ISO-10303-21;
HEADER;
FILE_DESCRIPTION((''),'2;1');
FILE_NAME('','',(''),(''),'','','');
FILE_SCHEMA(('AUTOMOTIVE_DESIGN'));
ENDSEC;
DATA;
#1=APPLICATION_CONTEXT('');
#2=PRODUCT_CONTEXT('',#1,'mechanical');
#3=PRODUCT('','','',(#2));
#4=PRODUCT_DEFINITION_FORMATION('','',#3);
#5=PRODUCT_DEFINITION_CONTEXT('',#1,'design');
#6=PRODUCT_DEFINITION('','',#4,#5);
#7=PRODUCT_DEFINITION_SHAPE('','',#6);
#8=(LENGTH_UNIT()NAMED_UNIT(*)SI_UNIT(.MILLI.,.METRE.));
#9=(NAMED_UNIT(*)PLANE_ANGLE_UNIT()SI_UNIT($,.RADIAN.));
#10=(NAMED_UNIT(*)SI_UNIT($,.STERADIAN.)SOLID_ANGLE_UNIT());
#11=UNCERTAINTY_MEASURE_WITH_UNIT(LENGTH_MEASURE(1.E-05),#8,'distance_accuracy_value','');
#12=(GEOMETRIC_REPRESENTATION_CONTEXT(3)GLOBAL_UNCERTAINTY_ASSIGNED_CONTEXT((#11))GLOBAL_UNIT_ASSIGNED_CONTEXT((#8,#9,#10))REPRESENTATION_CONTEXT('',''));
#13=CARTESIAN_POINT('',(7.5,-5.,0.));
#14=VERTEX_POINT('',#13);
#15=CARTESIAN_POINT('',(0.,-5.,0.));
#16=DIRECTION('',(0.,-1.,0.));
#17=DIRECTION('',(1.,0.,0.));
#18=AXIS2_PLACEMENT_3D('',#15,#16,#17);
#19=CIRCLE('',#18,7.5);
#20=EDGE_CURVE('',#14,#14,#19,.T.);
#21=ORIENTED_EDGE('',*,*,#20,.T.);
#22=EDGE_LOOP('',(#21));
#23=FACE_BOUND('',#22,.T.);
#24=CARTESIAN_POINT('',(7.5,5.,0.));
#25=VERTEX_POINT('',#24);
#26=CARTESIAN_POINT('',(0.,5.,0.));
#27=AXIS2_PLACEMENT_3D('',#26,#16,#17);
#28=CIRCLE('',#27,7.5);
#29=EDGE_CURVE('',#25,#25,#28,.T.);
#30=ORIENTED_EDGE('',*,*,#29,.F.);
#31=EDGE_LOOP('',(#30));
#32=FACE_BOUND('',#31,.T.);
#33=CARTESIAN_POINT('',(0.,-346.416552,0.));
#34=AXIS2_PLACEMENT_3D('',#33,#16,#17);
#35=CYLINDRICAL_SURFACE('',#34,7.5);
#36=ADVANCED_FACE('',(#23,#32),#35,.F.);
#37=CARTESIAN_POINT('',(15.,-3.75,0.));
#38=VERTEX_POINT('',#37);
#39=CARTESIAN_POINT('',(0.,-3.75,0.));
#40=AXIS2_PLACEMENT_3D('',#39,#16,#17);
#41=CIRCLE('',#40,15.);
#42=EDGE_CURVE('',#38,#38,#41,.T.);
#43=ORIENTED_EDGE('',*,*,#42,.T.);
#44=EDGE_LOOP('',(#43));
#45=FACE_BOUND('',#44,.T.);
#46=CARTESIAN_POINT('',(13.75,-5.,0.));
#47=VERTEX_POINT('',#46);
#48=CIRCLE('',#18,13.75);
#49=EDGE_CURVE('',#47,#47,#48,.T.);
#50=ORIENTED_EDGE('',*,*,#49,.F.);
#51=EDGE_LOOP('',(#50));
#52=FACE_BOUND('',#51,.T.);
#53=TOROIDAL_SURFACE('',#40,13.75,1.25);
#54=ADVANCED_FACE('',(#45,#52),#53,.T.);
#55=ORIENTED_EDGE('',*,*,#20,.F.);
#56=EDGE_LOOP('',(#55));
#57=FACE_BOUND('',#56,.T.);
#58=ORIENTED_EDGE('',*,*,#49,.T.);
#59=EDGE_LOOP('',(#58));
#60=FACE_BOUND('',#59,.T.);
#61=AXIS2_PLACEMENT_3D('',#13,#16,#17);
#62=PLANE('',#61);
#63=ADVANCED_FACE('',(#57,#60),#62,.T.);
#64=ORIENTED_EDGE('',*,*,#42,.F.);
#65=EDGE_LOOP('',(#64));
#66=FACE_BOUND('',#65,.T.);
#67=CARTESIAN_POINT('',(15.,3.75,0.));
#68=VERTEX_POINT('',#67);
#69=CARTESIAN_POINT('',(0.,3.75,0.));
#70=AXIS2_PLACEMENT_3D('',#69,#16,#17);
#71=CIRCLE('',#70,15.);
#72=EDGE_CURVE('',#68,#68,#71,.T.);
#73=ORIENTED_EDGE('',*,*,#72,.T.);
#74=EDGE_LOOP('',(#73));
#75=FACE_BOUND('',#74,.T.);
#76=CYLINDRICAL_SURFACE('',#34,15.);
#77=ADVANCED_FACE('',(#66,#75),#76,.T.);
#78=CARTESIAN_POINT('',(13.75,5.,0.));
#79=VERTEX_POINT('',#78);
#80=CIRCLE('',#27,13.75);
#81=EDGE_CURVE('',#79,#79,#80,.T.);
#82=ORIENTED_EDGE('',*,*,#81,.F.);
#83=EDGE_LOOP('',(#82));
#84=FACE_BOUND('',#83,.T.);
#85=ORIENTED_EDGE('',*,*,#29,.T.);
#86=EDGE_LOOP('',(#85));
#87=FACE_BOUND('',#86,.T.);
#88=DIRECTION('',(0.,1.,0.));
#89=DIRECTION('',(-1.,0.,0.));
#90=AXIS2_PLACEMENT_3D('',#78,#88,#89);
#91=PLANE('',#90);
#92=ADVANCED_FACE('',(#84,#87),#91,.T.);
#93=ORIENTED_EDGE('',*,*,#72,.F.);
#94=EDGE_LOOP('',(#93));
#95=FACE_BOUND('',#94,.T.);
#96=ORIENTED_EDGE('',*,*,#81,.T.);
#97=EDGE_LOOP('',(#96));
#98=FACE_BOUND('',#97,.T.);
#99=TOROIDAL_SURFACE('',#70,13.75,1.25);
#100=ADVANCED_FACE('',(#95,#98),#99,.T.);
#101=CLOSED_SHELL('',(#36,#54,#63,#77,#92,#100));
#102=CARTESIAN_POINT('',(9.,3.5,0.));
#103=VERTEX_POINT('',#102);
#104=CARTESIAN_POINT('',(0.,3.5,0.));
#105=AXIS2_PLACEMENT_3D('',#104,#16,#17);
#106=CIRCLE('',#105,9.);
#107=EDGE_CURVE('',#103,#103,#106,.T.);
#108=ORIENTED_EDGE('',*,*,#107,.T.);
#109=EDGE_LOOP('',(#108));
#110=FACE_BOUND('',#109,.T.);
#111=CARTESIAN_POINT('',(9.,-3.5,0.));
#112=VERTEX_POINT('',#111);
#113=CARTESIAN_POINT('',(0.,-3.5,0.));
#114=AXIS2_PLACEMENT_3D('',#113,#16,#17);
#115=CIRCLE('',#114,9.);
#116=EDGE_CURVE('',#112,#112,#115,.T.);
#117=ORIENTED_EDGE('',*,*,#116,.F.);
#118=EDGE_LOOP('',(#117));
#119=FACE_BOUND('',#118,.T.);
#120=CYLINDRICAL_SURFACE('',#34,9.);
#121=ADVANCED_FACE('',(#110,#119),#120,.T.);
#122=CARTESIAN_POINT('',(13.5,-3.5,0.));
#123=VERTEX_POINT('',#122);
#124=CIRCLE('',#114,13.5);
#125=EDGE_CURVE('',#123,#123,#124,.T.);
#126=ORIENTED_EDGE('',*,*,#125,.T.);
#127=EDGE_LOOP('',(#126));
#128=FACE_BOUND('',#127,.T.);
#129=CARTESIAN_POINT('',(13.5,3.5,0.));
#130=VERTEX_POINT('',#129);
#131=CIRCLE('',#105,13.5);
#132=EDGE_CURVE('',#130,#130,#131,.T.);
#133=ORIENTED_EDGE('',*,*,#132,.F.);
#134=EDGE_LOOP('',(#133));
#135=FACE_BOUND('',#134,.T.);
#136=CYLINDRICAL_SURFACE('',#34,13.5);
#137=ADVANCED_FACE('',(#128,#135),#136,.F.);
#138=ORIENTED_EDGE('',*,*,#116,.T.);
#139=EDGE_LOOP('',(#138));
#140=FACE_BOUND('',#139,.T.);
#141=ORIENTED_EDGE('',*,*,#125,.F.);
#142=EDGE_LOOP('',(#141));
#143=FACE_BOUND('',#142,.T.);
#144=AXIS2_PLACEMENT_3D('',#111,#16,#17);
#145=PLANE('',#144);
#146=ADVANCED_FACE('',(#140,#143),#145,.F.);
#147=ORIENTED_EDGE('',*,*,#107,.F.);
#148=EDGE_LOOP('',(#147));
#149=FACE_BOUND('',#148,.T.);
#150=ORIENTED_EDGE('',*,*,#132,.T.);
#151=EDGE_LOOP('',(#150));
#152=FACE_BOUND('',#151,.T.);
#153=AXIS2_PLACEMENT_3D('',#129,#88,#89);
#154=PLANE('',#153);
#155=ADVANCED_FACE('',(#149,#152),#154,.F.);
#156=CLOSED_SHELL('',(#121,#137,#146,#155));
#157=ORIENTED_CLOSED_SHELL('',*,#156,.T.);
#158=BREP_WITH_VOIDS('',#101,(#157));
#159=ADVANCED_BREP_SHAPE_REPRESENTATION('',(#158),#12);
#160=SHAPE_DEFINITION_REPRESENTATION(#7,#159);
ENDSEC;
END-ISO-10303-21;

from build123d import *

# Parameters (mm, degrees)
SKETCH_1_W = 4.5
SKETCH_1_H = 7


with BuildPart() as part:
    # 草图1 → 旋转3 (revolve)
    with BuildSketch(Plane.XY):
        with BuildLine():
            Line((7.5, 5), (7.5, -5))
            Line((7.5, -5), (13.75, -5))
            ThreePointArc((13.75, -5), (14.633883476, -4.633883476), (15, -3.75))
            Line((15, -3.75), (15, 3.75))
            ThreePointArc((15, 3.75), (14.633883476, 4.633883476), (13.75, 5))
            Line((13.75, 5), (7.5, 5))
        make_face()
        with Locations((11.25, 0)):
            Rectangle(SKETCH_1_W, SKETCH_1_H, mode=Mode.SUBTRACT)
    revolve(axis=Axis((0, -346.416551839, 0), (0, 1, 0)))


solid = part.part
